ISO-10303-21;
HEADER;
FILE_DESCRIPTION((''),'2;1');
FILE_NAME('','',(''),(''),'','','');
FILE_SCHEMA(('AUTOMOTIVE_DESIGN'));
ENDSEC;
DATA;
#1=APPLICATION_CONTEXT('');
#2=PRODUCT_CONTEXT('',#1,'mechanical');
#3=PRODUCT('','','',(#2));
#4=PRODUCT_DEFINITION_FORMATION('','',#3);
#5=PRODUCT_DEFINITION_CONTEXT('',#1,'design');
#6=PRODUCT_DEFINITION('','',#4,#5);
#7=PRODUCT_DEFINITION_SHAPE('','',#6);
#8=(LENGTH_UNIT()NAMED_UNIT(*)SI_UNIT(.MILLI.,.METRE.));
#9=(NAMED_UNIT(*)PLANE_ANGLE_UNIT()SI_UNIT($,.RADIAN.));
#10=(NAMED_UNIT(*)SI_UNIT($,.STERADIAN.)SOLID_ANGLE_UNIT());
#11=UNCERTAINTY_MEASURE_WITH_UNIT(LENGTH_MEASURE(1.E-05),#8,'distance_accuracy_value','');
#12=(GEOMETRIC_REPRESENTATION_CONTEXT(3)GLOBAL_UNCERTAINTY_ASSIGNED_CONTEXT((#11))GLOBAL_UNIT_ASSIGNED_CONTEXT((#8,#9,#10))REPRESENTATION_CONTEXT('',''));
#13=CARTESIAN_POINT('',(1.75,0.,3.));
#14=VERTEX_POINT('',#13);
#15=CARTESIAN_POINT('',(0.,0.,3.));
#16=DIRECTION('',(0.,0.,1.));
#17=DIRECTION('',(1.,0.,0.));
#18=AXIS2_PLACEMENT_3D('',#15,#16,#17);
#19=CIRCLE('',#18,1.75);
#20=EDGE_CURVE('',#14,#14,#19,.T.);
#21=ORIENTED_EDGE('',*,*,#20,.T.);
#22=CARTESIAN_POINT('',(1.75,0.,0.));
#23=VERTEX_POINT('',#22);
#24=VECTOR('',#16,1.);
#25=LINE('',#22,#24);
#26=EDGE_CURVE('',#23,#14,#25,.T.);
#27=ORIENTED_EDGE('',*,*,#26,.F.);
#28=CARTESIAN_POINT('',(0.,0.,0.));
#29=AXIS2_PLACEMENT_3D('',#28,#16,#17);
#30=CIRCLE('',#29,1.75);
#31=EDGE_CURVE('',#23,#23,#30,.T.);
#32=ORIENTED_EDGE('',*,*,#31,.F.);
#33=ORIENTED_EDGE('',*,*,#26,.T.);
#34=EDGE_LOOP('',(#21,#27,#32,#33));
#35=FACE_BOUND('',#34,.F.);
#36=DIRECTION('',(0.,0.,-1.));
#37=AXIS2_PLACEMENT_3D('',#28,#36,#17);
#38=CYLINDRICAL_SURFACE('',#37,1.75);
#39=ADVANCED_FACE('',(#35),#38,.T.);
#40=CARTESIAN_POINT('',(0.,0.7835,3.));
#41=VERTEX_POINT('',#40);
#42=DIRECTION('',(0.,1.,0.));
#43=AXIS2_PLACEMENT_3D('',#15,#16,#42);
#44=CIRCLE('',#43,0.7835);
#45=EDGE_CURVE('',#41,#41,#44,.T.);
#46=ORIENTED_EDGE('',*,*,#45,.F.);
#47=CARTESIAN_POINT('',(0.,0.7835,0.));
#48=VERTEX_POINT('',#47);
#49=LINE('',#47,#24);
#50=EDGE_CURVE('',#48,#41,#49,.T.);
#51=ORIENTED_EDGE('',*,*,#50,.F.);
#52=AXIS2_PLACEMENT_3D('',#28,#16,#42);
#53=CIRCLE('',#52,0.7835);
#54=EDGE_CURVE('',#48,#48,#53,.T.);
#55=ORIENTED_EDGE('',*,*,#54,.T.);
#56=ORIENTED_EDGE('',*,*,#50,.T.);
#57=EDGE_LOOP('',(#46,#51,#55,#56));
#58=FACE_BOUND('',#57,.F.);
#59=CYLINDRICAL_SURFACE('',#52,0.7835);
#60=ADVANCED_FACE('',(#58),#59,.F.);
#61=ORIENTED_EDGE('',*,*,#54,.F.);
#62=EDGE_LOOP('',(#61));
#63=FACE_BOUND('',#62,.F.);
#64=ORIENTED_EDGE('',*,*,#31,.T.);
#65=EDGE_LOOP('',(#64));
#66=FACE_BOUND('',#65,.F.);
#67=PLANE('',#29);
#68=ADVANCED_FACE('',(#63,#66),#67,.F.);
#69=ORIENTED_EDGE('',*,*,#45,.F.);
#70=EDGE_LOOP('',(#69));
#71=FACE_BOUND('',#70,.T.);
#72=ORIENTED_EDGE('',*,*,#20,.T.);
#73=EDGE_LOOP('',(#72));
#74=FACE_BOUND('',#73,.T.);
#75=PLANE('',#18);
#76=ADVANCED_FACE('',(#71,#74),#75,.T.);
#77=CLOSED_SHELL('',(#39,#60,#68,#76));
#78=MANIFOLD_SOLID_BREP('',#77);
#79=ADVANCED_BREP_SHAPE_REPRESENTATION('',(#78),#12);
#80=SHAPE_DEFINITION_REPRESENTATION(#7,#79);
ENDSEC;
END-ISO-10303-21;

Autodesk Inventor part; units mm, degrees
ref_plane "YZ Plane" through (0, 0, 0) normal (1, 0, 0) x (0, 1, 0)
ref_plane "XZ Plane" through (0, 0, 0) normal (0, 1, 0) x (-1, 0, 0)
ref_plane "XY Plane" through (0, 0, 0) normal (0, 0, 1) x (1, 0, 0)
sketch "Sketch1" plane through (0, 0, 0) normal (0, 0, 1) x (1, 0, 0)
  circle A0 centre (0, 0) radius 1.75
  dimension "d0" = 3.5
extrude "Extrusion1" add sketch "Sketch1" along normal blind 3
sketch "Sketch2" plane through (0, 0, 0) normal (0, 0, -1) x (-1, 0, 0)
  point P0 (0, 0)
  point P1 (0.2866, -0.0418)
hole "Hole1" at (0, 0, 0) direction (0, 0, 1) diameter 1.567 end through all thread size "M2x0.4" class "6H" standard "ISO Metric profile"
properties part number "M2 Knurled Nut"
